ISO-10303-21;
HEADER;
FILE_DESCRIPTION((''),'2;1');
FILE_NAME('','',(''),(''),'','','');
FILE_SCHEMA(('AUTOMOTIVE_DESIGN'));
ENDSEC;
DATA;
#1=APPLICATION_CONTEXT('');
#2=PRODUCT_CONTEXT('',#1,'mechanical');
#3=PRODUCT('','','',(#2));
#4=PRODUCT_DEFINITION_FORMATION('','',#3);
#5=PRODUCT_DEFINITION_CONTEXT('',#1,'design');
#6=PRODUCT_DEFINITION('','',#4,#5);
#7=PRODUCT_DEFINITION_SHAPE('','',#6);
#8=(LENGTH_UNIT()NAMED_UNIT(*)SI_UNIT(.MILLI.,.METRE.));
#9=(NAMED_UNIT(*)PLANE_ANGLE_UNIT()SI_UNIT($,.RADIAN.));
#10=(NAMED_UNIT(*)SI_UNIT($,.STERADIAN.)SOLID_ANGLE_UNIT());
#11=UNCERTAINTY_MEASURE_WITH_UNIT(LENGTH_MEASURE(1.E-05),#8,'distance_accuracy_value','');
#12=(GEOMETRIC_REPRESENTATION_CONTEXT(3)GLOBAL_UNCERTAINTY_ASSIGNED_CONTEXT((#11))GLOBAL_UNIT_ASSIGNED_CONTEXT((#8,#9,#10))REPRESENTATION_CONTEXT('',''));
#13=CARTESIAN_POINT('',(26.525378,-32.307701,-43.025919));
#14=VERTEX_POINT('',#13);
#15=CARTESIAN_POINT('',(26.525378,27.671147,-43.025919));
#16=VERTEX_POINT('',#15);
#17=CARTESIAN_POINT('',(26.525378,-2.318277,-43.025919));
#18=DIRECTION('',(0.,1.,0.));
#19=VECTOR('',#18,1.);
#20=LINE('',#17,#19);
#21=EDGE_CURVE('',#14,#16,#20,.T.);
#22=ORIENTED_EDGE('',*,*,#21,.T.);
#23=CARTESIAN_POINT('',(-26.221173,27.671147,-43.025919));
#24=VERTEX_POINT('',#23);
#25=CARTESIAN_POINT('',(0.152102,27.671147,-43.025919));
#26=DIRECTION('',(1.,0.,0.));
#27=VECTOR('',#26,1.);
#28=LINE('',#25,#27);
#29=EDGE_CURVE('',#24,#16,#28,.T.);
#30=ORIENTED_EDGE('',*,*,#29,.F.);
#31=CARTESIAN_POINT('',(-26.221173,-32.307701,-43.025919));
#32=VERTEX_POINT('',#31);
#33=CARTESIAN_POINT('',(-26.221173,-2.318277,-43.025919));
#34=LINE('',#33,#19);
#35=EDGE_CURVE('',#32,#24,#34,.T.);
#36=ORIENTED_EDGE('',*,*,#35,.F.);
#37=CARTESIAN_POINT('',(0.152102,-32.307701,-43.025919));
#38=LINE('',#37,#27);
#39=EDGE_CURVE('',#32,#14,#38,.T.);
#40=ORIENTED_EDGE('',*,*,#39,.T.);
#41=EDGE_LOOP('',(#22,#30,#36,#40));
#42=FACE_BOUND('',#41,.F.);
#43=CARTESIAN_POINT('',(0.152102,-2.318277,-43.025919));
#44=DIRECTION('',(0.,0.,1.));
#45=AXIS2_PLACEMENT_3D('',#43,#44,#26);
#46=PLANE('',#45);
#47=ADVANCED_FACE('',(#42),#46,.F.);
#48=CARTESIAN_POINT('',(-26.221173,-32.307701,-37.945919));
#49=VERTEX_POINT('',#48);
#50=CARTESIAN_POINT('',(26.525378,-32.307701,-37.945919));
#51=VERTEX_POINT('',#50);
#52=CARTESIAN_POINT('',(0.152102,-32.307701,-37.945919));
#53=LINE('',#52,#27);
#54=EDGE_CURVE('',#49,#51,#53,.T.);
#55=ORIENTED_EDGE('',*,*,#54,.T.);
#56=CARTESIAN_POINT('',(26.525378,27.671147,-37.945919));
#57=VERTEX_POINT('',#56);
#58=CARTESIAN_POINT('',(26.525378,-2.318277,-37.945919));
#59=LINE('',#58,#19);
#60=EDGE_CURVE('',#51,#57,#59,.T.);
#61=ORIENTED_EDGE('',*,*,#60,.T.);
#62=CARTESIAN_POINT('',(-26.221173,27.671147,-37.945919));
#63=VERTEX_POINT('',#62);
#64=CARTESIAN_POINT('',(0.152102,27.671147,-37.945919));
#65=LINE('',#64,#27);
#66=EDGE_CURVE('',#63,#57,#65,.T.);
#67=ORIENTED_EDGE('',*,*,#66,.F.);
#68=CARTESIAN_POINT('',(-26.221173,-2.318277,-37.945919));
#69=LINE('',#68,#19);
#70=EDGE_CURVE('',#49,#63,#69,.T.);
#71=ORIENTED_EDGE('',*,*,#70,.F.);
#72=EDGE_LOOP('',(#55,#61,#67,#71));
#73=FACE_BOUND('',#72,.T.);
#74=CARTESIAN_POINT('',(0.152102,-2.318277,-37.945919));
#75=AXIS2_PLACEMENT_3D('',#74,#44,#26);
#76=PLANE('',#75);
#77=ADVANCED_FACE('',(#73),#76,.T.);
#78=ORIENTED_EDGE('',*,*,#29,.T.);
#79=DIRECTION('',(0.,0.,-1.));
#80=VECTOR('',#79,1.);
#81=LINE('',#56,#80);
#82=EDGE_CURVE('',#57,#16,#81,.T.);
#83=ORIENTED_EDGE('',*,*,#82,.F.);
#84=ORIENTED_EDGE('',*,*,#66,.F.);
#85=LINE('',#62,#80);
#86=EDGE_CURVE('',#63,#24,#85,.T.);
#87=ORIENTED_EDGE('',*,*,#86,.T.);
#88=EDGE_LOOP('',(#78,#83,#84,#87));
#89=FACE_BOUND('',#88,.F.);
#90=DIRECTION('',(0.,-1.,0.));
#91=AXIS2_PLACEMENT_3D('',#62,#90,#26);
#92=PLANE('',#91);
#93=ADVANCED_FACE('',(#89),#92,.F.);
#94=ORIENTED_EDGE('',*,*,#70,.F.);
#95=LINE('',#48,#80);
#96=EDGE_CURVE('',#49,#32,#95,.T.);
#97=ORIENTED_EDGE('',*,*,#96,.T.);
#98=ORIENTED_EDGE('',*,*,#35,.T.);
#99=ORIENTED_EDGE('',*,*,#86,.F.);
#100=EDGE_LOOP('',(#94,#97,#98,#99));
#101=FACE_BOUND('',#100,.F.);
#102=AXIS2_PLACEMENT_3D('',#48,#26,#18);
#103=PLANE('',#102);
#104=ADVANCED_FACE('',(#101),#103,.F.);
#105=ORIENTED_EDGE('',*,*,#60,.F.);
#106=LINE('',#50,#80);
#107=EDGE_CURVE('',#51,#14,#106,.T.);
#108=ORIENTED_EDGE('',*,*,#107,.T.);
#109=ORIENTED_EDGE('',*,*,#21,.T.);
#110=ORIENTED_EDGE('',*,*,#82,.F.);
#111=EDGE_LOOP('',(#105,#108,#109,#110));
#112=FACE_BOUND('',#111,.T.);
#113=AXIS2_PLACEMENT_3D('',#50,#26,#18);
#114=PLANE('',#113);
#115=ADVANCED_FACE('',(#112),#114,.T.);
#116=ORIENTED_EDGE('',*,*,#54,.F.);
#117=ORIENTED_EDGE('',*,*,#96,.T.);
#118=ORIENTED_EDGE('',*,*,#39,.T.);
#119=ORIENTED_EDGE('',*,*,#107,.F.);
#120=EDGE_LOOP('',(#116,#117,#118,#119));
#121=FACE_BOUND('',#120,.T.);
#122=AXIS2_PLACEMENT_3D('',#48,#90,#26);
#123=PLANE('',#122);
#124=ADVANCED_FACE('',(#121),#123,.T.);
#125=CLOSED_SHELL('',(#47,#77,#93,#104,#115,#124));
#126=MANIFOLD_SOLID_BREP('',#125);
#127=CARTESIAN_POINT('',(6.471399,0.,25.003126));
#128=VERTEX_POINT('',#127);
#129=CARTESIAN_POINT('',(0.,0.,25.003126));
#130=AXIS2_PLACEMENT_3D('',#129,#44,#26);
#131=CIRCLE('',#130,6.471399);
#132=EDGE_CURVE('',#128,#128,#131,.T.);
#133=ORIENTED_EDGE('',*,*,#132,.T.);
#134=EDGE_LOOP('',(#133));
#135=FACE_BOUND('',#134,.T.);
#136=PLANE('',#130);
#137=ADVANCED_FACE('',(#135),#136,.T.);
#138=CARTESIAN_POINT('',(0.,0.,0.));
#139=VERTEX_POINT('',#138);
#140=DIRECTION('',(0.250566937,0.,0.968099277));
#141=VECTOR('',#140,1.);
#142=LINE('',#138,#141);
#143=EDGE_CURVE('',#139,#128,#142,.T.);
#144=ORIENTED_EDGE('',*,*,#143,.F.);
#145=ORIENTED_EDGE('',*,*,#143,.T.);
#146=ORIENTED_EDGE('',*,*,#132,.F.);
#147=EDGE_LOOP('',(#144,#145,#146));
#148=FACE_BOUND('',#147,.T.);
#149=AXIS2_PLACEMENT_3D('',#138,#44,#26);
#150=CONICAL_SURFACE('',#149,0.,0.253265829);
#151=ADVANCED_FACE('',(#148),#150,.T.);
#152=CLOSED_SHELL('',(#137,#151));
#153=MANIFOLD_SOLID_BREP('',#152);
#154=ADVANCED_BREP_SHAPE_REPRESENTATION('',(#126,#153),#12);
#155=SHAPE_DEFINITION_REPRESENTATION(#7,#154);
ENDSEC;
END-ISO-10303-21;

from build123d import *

# Parameters (mm, degrees)
F0_W     = 16.472649
F0_H     = 5.000625
F3_W     = 52.746551
F3_H     = 59.978848
F4_DEPTH = 5.08


with BuildPart() as f1:
    # F0 (on Front) → F1 (revolve)
    with BuildSketch(Plane.XZ):
        Polygon((0, 25.003126), (0, 0), (6.471399, 25.003126), align=None)
        with Locations((8.236325, -40.446231)):
            Rectangle(F0_W, F0_H)
    revolve(axis=Axis((0, 0, 12.501563), (0, 0, 1)))

    # F3 (on face) → F4 (join)
    with BuildSketch(Plane.XY.offset(-37.945919)):
        with Locations((0.152102, -2.318277)):
            Rectangle(F3_W, F3_H)
    extrude(amount=-F4_DEPTH)


solid = f1.part
